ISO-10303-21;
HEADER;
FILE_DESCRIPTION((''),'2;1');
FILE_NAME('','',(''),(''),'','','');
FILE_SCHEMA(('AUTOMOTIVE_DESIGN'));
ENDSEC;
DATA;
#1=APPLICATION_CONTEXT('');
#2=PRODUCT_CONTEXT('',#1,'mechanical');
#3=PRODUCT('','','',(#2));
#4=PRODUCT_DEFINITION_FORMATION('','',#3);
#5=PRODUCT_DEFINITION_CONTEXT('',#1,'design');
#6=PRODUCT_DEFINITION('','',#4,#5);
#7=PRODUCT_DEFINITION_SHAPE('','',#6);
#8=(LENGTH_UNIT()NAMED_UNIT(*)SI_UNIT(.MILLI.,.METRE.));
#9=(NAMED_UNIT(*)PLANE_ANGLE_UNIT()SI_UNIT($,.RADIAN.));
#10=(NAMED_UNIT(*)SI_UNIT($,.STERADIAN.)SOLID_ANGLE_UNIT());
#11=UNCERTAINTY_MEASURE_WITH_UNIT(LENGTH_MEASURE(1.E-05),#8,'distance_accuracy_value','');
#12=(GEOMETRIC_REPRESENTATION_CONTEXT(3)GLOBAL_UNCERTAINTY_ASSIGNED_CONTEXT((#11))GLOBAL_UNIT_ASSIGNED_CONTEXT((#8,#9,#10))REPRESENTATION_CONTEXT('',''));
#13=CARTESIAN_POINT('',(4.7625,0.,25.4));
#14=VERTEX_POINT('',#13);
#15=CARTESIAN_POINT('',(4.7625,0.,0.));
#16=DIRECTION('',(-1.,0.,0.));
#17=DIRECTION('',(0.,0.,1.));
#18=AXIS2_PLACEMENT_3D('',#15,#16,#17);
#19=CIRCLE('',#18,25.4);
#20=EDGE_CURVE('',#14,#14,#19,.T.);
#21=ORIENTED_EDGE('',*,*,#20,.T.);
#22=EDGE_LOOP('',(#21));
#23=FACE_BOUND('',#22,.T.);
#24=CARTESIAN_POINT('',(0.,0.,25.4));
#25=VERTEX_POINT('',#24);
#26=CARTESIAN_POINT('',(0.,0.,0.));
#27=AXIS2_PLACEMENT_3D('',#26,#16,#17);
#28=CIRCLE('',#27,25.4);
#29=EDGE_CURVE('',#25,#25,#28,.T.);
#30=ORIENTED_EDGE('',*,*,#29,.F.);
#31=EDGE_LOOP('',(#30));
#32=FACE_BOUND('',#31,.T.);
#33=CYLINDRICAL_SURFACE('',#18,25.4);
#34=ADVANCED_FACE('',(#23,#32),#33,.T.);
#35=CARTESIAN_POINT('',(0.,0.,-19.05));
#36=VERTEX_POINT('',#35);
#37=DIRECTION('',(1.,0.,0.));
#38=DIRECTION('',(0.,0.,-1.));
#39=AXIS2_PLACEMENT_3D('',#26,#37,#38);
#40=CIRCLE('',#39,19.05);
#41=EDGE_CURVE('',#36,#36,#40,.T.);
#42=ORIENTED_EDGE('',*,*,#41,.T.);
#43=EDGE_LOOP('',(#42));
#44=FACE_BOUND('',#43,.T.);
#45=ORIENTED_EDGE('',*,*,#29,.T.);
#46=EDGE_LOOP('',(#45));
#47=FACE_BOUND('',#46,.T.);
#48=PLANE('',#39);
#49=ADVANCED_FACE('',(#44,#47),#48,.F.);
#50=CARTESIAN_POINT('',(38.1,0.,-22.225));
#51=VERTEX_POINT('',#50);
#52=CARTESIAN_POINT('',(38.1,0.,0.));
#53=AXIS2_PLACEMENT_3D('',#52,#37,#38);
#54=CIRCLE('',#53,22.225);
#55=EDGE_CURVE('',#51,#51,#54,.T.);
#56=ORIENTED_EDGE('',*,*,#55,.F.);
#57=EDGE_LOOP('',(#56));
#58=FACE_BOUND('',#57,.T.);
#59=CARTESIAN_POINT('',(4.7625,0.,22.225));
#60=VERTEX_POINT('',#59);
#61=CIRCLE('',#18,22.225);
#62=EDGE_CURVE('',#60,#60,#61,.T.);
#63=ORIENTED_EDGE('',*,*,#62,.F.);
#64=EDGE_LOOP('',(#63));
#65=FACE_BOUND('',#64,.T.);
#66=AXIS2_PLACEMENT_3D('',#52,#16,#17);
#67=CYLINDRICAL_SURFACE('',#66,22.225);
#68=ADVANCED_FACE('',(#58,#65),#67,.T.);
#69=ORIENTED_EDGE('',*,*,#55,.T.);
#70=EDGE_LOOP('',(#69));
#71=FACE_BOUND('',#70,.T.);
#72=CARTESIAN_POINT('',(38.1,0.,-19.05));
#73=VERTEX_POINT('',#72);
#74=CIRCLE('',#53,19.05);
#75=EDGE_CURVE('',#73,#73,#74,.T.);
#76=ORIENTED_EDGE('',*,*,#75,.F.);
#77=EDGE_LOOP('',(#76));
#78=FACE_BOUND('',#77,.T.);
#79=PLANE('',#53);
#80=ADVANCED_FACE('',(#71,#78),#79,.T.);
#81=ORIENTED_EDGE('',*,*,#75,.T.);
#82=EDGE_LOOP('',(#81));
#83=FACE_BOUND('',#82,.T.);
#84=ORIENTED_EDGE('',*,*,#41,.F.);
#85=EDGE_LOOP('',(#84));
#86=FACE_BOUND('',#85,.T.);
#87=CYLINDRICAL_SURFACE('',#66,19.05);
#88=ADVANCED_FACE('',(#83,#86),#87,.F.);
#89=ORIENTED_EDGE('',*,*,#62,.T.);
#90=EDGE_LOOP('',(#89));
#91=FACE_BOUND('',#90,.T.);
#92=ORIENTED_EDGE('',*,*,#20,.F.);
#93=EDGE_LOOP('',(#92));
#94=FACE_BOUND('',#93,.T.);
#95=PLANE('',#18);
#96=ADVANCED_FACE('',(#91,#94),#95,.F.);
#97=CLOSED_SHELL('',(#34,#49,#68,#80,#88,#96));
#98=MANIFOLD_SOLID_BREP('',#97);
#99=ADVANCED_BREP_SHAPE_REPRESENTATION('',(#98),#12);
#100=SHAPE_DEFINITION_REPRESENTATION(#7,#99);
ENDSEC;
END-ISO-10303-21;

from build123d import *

# Parameters (mm, degrees)
SKETCH1_R           = 22.225
SKETCH1_R_2         = 19.05
BOSS_EXTRUDE1_DEPTH = 38.1
SKETCH2_R           = 25.4
SKETCH2_R_2         = 22.225
BOSS_EXTRUDE2_DEPTH = 4.7625


with BuildPart() as part:
    # Sketch1 → Boss-Extrude1 (new body)
    with BuildSketch(Plane(origin=(0, 0, 0), x_dir=(0, 0, -1), z_dir=(1, 0, 0))):
        Circle(SKETCH1_R)
        Circle(SKETCH1_R_2, mode=Mode.SUBTRACT)
    extrude(amount=BOSS_EXTRUDE1_DEPTH)

    # Sketch2 → Boss-Extrude2 (add)
    with BuildSketch(Plane.ZY):
        Circle(SKETCH2_R)
        Circle(SKETCH2_R_2, mode=Mode.SUBTRACT)
    extrude(amount=-BOSS_EXTRUDE2_DEPTH)


solid = part.part
